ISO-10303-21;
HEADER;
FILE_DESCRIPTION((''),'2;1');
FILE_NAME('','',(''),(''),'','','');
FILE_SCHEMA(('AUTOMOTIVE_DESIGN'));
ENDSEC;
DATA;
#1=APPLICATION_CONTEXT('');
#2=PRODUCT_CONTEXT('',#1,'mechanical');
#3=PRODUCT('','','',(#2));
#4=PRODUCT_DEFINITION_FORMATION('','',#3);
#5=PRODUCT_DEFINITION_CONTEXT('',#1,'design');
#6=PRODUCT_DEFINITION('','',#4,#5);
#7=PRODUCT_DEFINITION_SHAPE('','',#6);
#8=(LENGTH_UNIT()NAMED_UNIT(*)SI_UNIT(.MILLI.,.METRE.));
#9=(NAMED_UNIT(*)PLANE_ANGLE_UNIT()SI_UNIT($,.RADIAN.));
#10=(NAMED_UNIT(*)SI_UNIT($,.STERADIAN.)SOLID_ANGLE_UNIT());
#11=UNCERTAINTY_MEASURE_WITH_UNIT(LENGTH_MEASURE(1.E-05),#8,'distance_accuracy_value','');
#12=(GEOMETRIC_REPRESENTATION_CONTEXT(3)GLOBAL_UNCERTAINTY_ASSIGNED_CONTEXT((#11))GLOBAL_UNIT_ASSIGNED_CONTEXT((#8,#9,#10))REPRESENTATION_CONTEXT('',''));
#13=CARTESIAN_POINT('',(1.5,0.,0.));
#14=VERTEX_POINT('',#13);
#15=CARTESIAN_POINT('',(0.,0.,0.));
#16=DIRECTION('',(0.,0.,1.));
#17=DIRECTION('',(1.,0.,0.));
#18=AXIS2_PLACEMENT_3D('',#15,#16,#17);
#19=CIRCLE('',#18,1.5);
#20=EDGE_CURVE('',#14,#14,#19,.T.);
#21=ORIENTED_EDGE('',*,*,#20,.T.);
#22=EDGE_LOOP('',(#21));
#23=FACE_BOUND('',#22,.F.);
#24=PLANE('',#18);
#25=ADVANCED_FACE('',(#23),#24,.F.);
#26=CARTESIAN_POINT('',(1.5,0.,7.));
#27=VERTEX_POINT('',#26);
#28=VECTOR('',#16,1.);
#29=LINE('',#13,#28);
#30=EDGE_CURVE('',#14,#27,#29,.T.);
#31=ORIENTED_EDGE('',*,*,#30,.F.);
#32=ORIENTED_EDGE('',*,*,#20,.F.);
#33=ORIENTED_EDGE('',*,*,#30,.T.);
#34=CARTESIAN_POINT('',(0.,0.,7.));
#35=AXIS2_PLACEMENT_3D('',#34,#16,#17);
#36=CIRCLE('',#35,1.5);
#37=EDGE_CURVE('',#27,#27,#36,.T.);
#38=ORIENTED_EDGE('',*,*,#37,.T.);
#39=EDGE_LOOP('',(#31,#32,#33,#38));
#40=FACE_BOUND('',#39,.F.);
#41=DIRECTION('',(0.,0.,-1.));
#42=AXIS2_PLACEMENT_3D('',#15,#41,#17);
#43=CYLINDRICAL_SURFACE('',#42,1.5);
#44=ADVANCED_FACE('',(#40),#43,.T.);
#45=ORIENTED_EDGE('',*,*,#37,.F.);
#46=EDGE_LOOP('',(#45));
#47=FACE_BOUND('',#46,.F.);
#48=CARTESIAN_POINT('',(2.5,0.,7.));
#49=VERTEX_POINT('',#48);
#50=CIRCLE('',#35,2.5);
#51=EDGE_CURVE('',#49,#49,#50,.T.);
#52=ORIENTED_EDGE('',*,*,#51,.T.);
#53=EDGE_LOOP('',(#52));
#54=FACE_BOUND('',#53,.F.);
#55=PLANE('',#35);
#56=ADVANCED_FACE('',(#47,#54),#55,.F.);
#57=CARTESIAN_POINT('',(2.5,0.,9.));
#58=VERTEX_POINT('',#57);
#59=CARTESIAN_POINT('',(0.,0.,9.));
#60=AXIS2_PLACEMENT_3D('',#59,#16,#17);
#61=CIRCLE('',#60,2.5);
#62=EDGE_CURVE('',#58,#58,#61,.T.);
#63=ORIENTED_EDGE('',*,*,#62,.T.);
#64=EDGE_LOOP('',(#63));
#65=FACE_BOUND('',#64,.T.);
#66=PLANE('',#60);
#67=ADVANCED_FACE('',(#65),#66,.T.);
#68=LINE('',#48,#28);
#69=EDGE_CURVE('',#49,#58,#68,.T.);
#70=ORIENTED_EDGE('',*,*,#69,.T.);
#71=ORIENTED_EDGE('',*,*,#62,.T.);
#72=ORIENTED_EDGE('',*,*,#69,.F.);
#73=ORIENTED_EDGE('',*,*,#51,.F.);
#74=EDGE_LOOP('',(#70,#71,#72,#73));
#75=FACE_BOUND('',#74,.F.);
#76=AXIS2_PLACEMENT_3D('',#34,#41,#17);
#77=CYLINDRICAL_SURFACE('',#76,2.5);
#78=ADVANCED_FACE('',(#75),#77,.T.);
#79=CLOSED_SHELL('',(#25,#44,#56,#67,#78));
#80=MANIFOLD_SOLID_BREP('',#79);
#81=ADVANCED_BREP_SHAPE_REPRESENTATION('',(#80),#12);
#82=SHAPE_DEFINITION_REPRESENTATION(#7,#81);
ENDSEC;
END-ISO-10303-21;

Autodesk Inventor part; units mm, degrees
ref_plane "YZ Plane" through (0, 0, 0) normal (1, 0, 0) x (0, 1, 0)
ref_plane "XZ Plane" through (0, 0, 0) normal (0, 1, 0) x (-1, 0, 0)
ref_plane "XY Plane" through (0, 0, 0) normal (0, 0, 1) x (1, 0, 0)
sketch "スケッチ1" plane through (0, 0, 0) normal (0, 0, 1) x (1, 0, 0)
  circle A0 centre (0, 0) radius 1.5
  dimension "d0" = 3
extrude "押し出し1" add sketch "スケッチ1" along normal blind 7
sketch "スケッチ2" plane through (0, 0, 7) normal (0, 0, 1) x (1, 0, 0)
  circle A0 centre (0, 0) radius 2.5
  dimension "d3" = 5
extrude "押し出し2" add sketch "スケッチ2" along normal blind 2
equation "\"BendRadius\" = Thickness"
equation "\"BendReliefWidth\" = Thickness"
equation "\"BendReliefDepth\" = 0.5 * Thickness"
equation "\"CornerReliefSize\" = 4 * Thickness"
equation "\"MinimumRemnant\" = 2 * Thickness"
equation "\"TransitionRadius\" = BendRadius"
equation "\"JacobiRadiusSize\" = BendRadius"
equation "\"GapSize\" = Thickness"
equation "\"Thickness\" = 0.5"
properties part number "creat6"
